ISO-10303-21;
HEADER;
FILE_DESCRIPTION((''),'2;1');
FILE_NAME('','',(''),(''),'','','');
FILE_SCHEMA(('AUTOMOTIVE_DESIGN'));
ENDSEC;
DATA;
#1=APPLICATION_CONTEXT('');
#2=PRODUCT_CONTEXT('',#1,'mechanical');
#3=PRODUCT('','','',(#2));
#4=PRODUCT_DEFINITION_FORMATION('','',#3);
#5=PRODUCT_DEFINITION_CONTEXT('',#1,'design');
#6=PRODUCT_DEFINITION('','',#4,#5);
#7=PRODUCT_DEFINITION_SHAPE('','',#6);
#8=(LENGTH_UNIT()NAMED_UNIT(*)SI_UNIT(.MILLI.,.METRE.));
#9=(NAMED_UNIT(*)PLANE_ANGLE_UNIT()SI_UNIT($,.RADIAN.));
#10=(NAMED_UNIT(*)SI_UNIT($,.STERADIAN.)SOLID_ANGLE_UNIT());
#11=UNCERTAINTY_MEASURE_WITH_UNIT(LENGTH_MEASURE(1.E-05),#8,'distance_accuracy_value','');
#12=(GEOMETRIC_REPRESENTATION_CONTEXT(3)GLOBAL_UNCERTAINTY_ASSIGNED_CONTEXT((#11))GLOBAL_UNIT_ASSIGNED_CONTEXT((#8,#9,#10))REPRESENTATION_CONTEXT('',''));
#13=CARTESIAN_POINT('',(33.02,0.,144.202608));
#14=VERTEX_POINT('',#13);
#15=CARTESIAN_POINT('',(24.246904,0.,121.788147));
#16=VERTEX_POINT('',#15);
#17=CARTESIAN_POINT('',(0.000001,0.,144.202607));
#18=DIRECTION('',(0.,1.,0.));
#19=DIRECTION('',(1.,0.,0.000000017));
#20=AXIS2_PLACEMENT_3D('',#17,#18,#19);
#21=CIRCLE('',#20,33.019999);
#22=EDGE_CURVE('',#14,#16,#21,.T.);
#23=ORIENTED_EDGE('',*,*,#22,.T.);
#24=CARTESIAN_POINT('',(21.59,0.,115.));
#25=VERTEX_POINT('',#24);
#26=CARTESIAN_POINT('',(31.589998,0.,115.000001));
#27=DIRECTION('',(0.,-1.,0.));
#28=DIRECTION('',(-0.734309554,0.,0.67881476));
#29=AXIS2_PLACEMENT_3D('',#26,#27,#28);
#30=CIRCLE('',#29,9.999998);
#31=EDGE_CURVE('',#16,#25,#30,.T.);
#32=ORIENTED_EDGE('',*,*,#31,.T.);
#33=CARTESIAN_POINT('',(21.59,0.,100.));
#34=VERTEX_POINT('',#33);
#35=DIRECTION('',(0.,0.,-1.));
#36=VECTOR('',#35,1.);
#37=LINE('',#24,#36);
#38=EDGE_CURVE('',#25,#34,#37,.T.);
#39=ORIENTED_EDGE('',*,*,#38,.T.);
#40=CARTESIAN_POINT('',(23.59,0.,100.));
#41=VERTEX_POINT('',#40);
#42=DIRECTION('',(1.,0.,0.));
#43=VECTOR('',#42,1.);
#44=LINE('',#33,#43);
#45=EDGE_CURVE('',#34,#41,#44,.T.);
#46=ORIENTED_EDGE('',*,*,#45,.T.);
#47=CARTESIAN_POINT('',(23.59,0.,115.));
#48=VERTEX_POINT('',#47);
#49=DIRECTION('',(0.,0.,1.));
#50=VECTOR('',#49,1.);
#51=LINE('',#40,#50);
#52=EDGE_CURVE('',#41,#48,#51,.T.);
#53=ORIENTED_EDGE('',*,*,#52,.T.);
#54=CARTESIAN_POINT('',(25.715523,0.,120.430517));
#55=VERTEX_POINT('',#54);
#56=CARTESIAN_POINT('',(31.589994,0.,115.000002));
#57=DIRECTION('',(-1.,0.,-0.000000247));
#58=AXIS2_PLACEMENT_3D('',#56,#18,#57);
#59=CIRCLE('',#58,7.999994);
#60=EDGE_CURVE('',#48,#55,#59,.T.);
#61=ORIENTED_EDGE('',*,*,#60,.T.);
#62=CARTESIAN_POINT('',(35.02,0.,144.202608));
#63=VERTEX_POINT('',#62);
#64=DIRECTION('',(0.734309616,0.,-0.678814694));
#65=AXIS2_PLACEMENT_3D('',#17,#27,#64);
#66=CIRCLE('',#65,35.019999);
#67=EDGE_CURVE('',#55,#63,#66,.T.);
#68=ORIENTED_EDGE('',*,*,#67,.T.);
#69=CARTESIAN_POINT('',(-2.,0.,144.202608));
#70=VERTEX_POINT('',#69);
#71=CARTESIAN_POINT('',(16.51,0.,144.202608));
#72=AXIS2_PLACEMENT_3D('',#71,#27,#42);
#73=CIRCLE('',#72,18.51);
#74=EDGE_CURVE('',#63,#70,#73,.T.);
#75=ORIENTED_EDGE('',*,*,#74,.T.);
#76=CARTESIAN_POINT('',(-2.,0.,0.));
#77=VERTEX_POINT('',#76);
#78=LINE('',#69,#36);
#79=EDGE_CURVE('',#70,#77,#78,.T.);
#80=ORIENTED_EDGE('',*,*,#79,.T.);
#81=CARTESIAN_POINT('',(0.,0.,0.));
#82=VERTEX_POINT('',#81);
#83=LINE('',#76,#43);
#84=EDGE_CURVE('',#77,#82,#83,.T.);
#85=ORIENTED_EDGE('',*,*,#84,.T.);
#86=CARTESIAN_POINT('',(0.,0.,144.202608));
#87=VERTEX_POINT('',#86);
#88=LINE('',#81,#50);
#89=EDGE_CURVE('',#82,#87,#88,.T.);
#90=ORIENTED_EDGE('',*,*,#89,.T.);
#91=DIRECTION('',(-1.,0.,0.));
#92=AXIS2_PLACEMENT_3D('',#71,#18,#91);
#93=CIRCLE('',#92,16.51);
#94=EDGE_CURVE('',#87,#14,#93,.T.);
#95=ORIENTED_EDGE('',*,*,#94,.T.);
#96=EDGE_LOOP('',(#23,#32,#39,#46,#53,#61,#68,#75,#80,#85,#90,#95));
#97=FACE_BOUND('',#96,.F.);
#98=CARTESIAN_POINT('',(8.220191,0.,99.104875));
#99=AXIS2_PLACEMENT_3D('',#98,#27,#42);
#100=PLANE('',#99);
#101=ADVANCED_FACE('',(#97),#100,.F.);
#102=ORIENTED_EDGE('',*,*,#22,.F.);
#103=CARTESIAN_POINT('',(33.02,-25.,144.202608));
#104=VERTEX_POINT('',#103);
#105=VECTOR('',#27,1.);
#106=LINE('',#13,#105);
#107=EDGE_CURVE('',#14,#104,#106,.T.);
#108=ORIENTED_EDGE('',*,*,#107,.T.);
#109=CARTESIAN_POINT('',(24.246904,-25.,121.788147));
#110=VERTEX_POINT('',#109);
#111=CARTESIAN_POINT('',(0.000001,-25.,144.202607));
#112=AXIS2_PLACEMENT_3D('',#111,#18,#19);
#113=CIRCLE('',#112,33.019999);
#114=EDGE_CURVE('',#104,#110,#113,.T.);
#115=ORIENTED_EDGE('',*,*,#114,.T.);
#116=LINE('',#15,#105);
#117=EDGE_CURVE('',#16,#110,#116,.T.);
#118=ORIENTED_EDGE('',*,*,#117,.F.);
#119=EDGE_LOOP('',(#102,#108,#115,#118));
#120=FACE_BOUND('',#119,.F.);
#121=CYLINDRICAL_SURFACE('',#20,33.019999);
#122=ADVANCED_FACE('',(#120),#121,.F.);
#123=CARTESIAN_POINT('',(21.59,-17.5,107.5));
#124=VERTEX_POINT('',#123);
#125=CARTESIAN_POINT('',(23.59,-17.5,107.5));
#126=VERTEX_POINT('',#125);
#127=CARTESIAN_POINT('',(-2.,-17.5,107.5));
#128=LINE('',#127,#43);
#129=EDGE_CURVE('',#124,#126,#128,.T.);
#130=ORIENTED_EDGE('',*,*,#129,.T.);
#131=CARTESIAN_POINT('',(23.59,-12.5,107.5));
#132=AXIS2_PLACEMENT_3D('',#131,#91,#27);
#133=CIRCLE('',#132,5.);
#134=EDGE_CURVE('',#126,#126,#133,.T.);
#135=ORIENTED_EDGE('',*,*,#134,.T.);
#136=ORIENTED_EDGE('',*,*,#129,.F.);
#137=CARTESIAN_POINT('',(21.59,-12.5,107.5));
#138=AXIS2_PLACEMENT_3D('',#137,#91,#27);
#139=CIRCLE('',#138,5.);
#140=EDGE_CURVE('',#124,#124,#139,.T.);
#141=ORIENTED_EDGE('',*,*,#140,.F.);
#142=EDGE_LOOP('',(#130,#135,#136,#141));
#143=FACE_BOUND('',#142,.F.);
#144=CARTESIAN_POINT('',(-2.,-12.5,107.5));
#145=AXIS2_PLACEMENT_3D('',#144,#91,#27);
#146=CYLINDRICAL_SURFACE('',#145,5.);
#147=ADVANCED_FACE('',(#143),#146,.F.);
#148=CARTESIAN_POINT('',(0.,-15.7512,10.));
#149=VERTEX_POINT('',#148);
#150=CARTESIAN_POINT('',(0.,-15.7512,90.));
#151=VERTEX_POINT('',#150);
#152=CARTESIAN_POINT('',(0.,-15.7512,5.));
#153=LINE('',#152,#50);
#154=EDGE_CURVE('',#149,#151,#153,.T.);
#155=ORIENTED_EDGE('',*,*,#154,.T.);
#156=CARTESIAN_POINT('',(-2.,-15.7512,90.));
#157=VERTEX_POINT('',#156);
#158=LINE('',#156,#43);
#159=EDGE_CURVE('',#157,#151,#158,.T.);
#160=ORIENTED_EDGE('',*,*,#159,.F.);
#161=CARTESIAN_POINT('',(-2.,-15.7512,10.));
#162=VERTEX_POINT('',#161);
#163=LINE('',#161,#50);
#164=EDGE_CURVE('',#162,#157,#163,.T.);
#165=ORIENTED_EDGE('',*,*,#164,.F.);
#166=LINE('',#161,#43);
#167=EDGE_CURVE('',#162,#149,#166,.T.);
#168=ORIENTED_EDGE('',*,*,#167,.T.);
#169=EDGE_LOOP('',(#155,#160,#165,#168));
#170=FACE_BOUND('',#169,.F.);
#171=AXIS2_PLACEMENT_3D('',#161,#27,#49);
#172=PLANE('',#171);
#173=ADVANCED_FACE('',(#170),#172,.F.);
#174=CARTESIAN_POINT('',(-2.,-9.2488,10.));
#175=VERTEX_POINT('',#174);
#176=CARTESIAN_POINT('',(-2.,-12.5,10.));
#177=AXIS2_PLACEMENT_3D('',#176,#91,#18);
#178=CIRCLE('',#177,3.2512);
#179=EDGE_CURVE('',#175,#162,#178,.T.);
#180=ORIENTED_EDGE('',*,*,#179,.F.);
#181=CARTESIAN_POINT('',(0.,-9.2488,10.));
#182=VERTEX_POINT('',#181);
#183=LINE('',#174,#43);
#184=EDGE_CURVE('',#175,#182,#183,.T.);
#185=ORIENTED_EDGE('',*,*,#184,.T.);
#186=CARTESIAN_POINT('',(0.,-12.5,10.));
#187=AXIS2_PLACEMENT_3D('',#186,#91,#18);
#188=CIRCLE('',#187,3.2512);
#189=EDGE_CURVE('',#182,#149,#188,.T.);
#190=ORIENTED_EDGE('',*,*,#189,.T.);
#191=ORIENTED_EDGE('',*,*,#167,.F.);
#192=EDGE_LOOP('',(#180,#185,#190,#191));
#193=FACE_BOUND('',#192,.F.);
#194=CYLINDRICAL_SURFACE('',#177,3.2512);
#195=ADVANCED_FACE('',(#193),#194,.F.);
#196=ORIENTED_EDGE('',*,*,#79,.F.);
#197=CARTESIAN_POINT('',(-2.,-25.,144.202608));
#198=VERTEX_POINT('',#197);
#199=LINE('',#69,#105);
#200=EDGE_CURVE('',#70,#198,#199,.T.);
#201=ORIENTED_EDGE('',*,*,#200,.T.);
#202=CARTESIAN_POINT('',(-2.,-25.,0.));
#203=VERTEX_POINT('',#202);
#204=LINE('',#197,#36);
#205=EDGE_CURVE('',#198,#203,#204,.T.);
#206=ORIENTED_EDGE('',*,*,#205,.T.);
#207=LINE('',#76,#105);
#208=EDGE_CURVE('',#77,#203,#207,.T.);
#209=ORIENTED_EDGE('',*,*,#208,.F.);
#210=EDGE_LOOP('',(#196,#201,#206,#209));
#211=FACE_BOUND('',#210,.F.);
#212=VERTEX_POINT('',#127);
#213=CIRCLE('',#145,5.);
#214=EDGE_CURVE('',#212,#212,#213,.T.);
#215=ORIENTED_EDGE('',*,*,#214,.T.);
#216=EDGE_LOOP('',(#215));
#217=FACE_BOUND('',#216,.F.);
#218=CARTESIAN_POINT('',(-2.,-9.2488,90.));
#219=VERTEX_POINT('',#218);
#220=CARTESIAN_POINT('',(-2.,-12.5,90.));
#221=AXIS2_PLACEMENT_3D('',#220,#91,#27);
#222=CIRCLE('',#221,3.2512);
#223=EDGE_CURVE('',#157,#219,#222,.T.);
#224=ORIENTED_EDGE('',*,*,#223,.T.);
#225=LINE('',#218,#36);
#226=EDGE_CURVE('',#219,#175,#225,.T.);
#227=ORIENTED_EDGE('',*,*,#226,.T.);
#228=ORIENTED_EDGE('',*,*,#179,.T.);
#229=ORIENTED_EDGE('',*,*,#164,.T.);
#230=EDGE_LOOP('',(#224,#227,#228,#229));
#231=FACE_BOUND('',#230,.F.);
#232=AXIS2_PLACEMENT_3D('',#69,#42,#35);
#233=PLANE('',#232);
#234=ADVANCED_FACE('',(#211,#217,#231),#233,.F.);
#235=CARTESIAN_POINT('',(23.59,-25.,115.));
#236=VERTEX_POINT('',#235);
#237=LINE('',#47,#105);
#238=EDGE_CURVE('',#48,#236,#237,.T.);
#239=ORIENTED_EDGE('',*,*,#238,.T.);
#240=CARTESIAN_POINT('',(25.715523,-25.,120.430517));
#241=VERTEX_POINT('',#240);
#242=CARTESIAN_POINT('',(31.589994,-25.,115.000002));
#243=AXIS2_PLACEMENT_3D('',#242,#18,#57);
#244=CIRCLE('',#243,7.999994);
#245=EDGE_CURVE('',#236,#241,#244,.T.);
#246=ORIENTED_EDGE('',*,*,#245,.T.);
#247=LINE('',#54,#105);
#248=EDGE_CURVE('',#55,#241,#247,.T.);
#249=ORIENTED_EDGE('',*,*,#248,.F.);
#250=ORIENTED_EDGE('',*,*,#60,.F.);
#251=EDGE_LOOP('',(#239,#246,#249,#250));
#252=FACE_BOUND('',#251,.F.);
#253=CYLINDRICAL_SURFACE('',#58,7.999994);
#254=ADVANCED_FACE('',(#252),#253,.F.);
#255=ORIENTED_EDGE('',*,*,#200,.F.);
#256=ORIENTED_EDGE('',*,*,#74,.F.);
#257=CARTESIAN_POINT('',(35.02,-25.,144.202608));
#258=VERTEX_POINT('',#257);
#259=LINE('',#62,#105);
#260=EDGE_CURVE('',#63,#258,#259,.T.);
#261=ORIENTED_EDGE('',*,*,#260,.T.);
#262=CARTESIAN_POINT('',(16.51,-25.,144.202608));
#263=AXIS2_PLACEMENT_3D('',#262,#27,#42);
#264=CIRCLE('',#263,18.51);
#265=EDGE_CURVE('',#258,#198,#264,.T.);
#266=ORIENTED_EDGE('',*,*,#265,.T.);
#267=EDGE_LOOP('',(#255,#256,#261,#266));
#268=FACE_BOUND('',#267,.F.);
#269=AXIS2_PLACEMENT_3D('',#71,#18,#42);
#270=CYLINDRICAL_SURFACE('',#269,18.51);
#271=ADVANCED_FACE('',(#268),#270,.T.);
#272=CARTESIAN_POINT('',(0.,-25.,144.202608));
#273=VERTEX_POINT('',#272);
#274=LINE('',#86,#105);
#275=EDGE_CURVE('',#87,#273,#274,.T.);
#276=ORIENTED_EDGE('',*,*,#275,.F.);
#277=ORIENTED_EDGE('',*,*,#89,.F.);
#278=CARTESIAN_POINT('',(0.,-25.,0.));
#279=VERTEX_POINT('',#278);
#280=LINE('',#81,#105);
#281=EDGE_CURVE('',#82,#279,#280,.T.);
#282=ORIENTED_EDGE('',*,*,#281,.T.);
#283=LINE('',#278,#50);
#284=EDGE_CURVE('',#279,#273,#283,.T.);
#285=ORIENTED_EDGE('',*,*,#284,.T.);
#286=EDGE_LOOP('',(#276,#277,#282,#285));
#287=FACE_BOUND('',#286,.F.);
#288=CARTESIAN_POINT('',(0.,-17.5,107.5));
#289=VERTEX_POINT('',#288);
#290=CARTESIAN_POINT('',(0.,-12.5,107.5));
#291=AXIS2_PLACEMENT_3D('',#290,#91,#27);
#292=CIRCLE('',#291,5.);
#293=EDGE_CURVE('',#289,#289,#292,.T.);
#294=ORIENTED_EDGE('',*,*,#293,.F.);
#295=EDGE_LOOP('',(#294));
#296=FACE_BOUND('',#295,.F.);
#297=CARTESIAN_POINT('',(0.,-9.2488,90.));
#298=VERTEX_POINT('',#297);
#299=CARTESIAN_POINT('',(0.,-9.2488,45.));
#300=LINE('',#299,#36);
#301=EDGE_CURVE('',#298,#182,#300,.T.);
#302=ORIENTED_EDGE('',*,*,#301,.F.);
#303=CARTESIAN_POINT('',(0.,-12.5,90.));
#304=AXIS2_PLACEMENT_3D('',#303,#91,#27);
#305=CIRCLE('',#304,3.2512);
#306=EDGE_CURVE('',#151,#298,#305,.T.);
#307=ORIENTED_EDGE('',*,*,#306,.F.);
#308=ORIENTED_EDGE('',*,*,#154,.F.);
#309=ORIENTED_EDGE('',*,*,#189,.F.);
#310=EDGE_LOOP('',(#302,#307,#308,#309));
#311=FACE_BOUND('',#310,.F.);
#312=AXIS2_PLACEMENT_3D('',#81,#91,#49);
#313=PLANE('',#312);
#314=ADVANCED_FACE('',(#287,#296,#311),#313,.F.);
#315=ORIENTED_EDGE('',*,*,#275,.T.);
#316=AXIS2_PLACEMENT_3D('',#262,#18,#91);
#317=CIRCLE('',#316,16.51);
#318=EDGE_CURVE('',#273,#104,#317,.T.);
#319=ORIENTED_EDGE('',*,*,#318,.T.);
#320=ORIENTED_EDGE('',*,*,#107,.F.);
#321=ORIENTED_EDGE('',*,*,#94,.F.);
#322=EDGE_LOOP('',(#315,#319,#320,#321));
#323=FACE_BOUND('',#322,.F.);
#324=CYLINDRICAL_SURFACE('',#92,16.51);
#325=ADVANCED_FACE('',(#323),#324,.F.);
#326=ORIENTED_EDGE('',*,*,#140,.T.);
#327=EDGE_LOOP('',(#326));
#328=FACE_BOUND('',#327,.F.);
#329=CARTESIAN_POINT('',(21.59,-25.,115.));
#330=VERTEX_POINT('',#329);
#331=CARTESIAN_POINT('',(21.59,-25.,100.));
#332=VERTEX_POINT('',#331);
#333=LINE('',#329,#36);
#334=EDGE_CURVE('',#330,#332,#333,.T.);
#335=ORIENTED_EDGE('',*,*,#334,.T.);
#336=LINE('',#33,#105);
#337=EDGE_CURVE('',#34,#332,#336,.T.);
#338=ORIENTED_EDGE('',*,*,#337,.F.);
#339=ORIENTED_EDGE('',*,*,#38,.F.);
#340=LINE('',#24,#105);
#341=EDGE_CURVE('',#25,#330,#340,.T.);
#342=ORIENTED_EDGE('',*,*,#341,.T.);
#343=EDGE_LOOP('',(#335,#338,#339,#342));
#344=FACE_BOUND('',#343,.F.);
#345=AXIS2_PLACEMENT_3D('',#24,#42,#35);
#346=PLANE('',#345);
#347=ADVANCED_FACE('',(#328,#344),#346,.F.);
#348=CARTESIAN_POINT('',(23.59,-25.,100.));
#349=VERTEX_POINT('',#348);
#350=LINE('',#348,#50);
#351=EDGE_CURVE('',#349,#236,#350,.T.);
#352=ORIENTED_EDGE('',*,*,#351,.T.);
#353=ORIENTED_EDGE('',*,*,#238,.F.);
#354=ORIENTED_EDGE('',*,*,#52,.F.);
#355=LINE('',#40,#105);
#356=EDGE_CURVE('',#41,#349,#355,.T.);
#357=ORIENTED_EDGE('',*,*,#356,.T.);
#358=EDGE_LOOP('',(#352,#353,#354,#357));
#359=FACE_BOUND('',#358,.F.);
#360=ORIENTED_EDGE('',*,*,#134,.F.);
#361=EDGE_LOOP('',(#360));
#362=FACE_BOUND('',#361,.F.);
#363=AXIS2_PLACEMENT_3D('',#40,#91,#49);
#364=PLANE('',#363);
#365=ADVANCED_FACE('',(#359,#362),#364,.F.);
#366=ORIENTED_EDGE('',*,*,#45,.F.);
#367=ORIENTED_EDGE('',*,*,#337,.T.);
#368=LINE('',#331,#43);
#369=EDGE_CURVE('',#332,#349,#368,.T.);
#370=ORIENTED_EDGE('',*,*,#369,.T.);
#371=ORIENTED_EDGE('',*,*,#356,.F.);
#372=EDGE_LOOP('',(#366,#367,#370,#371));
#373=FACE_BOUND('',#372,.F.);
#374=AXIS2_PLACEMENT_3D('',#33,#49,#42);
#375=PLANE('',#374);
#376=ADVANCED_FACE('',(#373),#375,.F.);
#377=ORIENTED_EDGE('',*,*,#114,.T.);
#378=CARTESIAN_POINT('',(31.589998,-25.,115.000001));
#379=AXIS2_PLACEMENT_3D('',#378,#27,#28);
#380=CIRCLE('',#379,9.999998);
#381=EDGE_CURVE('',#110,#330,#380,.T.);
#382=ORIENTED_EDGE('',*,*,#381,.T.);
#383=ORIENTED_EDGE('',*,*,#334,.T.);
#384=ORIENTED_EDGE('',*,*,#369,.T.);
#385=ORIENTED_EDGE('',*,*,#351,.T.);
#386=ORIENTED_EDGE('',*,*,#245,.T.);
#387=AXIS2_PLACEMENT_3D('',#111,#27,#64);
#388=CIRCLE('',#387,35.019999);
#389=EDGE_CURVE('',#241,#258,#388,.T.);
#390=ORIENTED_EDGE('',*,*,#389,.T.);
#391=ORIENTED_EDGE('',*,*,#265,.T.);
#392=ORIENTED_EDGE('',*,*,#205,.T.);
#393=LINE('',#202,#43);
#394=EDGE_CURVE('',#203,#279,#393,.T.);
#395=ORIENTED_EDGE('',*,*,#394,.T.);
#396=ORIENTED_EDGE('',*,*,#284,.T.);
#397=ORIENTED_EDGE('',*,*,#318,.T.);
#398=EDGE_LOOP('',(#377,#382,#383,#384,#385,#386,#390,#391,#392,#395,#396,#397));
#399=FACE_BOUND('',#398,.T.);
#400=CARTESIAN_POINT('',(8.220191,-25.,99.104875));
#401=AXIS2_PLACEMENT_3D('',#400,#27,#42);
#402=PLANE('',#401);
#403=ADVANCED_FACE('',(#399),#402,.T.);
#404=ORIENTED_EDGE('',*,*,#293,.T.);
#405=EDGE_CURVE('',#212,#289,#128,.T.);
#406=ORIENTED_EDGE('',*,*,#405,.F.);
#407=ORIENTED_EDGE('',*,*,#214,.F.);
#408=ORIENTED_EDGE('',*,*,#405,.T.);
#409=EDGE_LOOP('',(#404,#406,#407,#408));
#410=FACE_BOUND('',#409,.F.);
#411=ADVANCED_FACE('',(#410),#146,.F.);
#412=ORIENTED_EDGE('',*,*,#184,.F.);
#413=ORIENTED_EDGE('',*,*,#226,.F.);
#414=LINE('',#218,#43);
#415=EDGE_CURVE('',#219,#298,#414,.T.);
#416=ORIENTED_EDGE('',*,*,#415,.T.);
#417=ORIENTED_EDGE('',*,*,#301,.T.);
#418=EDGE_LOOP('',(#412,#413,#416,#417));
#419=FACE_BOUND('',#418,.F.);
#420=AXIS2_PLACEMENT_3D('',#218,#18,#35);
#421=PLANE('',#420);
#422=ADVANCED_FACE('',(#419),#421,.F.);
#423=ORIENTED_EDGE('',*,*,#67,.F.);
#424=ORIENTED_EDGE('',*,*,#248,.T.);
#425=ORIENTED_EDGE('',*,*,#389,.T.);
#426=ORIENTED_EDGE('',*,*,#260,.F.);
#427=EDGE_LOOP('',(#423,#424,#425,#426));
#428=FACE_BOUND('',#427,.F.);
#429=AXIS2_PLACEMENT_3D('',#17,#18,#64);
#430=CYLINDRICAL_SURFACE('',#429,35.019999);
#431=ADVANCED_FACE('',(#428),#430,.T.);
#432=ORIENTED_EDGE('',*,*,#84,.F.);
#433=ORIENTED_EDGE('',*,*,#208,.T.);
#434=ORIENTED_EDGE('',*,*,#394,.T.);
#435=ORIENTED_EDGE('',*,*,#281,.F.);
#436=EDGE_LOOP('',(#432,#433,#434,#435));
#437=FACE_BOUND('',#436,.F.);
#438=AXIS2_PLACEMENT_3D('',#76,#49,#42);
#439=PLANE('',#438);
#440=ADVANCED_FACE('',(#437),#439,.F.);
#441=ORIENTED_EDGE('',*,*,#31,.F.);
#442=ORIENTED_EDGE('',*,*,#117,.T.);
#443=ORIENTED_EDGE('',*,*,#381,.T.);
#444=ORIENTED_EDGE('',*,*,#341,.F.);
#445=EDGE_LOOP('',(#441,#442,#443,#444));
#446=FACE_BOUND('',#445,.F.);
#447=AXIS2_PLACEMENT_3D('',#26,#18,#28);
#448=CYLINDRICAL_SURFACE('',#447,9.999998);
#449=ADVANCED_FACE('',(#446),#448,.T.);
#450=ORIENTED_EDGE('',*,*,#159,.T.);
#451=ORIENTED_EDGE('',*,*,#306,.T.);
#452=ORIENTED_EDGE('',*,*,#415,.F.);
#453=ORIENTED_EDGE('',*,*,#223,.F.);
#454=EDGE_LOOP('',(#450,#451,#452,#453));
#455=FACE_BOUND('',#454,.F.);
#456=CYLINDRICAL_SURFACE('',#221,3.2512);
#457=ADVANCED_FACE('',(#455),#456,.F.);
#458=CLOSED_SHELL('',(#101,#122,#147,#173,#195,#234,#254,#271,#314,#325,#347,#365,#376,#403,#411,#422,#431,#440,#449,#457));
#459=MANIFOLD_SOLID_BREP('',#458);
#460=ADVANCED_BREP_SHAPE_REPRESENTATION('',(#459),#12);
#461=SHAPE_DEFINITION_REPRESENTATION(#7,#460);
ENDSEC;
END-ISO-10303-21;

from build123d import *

# Parameters (mm, degrees)
F1_DEPTH = 25
F2_R     = 5
F3_DEPTH = 37.021


with BuildPart() as f1:
    # F0 (on Front) → F1 (new body)
    with BuildSketch(Plane.XZ):
        with BuildLine():
            Line((-2, 0), (0, 0))
            Line((0, 0), (0, 144.202608))
            ThreePointArc((0, 144.202608), (16.51, 160.712608), (33.02, 144.202608))
            ThreePointArc((33.02, 144.202608), (30.748603, 132.1675), (24.246904, 121.788147))
            ThreePointArc((24.246904, 121.788147), (22.277885, 118.644793), (21.59, 115))
            Line((21.59, 115), (21.59, 100))
            Line((21.59, 100), (23.59, 100))
            Line((23.59, 100), (23.59, 115))
            ThreePointArc((23.59, 115), (24.140308, 117.915835), (25.715523, 120.430517))
            ThreePointArc((25.715523, 120.430517), (32.611026, 131.438541), (35.02, 144.202608))
            ThreePointArc((35.02, 144.202608), (16.51, 162.712608), (-2, 144.202608))
            Line((-2, 144.202608), (-2, 0))
        make_face()
    extrude(amount=F1_DEPTH)

    # F2 (on face) → F3 (cut, through all)
    with BuildSketch(Plane(origin=(-2, 0, 0), x_dir=(0, -1, 0), z_dir=(-1, 0, 0))):
        with BuildLine():
            ThreePointArc((9.2488, 10), (12.5, 6.7488), (15.7512, 10))
            Line((15.7512, 10), (15.7512, 90))
            ThreePointArc((15.7512, 90), (12.5, 93.2512), (9.2488, 90))
            Line((9.2488, 90), (9.2488, 10))
        make_face()
        with Locations((12.5, 107.5)):
            Circle(F2_R)
    extrude(amount=-F3_DEPTH, mode=Mode.SUBTRACT)


solid = f1.part
